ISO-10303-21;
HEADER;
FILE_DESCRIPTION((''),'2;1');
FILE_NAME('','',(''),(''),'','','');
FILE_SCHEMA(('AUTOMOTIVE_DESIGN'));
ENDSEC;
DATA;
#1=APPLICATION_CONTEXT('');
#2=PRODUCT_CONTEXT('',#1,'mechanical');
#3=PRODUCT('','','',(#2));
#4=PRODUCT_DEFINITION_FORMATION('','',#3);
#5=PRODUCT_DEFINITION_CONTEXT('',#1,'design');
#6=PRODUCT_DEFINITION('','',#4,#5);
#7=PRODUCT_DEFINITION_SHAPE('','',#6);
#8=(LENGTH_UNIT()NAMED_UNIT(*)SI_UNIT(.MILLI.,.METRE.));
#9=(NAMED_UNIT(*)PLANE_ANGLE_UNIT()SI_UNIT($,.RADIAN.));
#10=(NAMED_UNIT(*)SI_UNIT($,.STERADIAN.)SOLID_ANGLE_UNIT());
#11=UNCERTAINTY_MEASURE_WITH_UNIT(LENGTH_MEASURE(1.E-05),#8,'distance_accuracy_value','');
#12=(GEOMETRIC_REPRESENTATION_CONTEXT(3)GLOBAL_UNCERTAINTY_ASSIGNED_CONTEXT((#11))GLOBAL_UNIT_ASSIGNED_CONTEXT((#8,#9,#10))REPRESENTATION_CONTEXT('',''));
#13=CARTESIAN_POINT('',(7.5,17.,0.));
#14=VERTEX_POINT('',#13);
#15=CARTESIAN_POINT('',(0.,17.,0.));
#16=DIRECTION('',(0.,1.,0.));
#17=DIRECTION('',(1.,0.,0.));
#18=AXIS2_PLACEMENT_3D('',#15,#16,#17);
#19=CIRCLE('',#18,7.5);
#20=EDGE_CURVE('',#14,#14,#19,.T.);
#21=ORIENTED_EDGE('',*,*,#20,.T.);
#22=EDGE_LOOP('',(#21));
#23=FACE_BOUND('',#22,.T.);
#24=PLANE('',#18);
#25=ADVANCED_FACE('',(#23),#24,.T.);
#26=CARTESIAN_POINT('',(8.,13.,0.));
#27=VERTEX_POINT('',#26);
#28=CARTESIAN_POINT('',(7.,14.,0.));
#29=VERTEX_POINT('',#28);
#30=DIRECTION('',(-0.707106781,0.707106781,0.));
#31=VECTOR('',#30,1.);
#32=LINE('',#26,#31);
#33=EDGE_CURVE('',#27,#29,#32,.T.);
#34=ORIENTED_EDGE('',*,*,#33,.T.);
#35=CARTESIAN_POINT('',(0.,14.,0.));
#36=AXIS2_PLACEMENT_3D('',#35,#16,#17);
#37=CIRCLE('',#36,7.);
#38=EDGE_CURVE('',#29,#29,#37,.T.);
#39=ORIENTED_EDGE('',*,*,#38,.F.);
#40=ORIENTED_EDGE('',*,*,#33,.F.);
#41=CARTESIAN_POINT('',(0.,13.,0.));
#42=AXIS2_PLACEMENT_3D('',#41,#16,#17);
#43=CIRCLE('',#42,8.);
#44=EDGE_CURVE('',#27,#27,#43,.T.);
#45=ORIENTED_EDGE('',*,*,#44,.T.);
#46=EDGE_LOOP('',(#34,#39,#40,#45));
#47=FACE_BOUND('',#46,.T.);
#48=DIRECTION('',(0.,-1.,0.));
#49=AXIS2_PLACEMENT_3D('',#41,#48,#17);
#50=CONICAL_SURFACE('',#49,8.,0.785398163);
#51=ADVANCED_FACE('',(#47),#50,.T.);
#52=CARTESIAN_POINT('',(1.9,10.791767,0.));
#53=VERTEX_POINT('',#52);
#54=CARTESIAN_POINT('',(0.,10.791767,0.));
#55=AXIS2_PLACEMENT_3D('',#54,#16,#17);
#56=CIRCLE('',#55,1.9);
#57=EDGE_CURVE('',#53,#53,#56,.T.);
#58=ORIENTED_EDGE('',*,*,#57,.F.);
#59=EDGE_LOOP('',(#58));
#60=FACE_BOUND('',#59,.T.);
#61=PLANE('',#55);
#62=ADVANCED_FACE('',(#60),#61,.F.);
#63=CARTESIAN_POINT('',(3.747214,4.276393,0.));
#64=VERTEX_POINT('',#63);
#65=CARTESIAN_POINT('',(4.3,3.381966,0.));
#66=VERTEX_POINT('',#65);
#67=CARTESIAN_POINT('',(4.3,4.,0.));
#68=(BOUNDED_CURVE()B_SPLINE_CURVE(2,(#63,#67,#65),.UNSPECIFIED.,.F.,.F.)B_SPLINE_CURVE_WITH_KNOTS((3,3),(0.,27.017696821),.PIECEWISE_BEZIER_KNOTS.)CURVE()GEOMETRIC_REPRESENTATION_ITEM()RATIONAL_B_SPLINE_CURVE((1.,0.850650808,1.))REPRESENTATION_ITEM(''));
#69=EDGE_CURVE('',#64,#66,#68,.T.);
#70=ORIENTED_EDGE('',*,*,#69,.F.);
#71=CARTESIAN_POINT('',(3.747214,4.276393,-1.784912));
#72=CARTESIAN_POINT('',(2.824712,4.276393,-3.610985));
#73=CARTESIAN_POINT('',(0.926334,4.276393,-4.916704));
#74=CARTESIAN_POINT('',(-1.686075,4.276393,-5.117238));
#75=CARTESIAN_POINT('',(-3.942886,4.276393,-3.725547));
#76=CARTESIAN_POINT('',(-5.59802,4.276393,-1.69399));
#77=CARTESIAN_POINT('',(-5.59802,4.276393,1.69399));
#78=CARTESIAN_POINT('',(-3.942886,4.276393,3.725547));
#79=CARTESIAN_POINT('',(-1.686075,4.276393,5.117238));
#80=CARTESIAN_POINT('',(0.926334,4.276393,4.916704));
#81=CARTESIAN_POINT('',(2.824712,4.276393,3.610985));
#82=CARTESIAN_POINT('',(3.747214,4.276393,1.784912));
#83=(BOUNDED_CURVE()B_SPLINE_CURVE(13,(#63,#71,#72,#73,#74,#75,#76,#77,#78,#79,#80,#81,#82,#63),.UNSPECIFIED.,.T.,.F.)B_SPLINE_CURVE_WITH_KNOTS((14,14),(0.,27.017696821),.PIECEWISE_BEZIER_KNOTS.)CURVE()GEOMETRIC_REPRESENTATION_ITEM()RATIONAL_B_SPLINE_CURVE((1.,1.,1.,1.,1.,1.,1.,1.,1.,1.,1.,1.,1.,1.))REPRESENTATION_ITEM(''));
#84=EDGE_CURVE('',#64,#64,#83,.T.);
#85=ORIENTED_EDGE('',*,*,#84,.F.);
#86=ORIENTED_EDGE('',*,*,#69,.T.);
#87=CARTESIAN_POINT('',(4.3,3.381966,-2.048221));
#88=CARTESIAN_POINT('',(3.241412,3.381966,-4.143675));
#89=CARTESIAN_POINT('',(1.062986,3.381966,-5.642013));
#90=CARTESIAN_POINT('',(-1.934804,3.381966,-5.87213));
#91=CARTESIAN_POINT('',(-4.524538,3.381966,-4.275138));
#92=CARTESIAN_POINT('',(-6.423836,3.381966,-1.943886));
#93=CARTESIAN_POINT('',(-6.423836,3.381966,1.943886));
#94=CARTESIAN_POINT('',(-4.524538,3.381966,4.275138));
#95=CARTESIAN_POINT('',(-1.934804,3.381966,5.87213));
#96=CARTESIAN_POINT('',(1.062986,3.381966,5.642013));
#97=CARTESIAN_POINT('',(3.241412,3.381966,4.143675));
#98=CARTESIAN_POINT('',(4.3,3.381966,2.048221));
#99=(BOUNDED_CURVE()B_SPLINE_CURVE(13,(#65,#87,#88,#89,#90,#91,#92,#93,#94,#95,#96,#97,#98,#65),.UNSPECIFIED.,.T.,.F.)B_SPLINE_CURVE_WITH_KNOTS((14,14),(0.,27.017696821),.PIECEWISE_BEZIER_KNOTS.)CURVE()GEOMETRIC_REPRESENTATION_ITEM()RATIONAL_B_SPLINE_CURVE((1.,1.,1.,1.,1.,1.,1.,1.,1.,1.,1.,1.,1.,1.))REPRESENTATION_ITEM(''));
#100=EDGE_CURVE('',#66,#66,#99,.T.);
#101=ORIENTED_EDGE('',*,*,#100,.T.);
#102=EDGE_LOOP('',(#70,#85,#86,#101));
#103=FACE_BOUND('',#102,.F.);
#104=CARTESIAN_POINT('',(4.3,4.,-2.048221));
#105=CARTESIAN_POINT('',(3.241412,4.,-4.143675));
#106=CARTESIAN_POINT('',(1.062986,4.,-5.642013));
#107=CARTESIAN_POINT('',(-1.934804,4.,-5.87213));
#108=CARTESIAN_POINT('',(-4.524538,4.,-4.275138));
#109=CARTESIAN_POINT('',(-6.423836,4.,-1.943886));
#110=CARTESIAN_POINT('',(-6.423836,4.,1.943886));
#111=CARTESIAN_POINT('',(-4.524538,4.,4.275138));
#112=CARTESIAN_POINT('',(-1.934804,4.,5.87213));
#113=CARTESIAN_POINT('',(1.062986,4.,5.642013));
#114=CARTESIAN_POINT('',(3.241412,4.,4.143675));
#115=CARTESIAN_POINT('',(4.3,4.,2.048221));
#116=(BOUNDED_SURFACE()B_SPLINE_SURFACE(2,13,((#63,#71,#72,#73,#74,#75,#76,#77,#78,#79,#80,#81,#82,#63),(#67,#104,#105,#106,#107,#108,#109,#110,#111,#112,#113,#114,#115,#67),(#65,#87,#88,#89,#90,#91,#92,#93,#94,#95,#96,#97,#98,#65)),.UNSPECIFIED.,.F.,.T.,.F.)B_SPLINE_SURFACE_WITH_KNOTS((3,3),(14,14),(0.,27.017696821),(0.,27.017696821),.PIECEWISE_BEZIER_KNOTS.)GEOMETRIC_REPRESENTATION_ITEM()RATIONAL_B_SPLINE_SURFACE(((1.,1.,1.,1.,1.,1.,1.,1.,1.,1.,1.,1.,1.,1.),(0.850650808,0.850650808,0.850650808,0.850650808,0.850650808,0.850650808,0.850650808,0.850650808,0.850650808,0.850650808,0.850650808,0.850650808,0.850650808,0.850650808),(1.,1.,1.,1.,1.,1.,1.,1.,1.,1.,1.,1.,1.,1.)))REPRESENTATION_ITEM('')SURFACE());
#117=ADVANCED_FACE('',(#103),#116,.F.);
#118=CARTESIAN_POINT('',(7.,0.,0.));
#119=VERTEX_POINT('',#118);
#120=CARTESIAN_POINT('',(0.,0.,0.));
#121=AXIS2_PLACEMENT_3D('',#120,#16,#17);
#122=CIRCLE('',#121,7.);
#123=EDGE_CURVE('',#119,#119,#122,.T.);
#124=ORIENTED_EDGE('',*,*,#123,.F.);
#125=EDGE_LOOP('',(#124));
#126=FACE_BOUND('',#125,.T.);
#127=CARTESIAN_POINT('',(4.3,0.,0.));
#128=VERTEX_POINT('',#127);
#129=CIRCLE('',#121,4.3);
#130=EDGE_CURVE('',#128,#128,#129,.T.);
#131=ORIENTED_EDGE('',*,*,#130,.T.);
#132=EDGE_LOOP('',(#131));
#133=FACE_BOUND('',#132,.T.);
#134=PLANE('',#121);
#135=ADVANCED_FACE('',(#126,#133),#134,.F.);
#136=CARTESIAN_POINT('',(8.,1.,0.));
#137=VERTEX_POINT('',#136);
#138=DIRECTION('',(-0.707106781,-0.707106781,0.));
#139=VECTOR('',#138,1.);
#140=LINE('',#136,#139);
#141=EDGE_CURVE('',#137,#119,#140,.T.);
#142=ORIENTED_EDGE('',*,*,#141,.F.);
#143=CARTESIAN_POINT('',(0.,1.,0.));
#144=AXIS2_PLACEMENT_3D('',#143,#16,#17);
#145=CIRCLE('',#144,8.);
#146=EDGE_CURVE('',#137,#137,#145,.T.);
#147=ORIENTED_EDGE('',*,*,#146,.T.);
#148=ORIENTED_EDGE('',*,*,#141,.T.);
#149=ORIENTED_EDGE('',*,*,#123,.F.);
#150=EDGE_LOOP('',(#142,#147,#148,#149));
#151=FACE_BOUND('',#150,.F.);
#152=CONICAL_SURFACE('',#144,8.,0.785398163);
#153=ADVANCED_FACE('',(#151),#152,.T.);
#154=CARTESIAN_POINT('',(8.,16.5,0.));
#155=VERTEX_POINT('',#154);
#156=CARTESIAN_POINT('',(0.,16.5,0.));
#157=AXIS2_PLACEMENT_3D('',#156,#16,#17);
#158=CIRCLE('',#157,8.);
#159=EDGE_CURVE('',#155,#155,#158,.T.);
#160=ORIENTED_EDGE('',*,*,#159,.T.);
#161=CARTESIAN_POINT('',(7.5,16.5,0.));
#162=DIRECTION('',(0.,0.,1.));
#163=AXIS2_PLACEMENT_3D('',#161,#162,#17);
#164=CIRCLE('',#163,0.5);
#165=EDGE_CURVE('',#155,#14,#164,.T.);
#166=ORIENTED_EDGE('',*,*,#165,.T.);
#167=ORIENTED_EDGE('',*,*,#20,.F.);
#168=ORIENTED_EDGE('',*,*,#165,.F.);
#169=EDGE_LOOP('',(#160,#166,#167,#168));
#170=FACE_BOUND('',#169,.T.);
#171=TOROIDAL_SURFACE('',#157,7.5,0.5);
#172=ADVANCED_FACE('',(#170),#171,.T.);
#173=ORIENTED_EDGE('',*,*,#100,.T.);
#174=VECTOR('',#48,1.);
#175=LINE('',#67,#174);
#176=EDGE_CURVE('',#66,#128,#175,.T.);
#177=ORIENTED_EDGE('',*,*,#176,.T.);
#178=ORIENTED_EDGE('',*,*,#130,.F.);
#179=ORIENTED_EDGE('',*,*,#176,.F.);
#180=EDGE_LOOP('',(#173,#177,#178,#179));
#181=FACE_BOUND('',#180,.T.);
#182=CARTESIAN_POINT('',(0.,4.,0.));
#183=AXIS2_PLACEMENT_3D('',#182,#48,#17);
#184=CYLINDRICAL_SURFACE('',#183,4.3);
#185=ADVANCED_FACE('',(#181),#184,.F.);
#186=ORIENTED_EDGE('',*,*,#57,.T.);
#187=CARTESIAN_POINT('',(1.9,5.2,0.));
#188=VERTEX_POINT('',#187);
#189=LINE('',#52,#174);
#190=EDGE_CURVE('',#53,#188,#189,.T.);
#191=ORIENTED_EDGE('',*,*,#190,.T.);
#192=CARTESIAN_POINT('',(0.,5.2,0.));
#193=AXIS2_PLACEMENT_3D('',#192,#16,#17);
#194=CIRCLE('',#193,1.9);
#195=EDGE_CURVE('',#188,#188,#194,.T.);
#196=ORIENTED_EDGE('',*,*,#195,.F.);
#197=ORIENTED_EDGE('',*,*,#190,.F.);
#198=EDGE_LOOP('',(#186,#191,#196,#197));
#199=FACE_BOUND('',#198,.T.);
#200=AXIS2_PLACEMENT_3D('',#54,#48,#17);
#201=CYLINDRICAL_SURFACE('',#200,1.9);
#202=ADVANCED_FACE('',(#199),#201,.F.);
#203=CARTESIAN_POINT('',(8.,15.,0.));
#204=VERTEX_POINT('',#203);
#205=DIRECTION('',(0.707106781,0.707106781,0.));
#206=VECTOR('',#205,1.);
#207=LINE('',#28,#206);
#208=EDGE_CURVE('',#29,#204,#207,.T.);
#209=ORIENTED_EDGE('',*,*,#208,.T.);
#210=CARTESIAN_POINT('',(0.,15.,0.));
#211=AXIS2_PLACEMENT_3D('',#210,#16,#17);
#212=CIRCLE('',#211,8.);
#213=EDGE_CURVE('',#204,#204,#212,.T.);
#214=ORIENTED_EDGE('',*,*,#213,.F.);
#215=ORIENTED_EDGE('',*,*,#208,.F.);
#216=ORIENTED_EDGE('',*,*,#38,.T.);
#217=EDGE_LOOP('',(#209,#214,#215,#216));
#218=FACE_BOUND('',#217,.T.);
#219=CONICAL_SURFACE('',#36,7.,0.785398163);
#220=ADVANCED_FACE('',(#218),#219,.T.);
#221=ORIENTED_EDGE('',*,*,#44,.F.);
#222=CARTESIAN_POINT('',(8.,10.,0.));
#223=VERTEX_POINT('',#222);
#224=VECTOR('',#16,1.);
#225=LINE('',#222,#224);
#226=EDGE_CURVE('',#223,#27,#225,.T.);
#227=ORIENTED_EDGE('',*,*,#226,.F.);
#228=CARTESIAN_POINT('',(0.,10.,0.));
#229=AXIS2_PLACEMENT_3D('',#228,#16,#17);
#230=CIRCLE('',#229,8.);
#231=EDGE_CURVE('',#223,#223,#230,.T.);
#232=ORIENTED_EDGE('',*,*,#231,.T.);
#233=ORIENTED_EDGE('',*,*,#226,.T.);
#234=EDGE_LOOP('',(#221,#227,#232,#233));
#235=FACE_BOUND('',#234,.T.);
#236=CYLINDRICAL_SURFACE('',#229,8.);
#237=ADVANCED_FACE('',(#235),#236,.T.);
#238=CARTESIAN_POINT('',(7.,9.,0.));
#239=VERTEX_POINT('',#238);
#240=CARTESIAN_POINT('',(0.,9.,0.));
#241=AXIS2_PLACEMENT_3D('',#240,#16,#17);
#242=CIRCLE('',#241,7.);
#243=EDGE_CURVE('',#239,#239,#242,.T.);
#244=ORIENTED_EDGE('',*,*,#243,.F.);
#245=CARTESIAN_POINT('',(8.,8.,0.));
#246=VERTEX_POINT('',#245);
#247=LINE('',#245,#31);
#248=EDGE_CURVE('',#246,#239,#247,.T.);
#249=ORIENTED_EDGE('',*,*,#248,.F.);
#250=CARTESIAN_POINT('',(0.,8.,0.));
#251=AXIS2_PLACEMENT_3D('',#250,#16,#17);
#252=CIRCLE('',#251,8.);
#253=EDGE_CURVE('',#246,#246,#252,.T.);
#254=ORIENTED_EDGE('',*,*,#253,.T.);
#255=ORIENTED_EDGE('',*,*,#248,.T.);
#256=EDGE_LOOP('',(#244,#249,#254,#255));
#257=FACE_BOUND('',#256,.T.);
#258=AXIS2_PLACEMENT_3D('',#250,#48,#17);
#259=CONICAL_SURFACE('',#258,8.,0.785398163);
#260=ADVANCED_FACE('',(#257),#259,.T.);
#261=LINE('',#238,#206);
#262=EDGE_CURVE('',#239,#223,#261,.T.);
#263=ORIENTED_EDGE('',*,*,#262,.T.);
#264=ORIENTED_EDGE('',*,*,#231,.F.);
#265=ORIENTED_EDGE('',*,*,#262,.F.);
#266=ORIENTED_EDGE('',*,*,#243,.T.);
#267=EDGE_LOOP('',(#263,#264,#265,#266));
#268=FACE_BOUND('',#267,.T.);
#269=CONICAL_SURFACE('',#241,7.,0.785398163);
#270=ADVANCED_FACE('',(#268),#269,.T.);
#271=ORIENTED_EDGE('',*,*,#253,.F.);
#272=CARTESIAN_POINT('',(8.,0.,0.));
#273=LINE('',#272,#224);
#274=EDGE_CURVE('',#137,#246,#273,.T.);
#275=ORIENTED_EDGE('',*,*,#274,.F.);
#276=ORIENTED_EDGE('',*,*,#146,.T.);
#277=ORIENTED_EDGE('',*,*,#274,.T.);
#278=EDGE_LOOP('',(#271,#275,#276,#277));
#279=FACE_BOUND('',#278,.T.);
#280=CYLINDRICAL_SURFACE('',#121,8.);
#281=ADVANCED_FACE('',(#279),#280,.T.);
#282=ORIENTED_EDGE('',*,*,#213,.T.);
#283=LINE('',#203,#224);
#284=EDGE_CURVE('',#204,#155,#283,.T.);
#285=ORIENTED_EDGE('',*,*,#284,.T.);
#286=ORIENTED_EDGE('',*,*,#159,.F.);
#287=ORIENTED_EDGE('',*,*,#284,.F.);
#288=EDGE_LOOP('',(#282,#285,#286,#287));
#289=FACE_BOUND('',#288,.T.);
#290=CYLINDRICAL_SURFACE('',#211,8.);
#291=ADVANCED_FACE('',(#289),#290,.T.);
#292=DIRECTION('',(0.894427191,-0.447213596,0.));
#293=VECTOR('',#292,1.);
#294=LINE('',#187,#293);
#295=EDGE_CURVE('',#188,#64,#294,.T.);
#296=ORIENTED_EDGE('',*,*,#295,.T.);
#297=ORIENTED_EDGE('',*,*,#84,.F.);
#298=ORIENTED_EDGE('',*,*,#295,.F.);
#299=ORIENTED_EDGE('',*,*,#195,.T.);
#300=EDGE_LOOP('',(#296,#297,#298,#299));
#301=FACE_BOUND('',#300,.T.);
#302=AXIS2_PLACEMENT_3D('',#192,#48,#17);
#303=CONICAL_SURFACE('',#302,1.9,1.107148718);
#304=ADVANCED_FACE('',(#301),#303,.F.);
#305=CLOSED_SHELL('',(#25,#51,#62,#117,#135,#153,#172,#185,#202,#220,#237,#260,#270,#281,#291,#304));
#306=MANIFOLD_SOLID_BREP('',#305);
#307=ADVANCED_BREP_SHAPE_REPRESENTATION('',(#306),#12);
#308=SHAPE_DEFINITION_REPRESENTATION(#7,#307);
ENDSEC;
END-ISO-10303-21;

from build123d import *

# Parameters (mm, degrees)
F2_R    = 1
F3_R    = 0.5
F4_SIZE = 1


with BuildPart() as f1:
    # F0 (on Top) → F1 (revolve)
    with BuildSketch(Plane.XY):
        Polygon((1.9, 10.791767), (1.9, 5.2), (4.3, 4), (4.3, 0), (8, 0), (8, 8), (7, 9), (8, 10), (8, 13), (7, 14), (8, 15), (8, 17), (0, 17), (0, 10.791767), align=None)
    revolve(axis=Axis((0, 8.531952, 0), (0, 1, 0)))

    # F2
    f2_edges = [f1.edges().sort_by_distance(p)[0] for p in [
        (-4.3, 4, 0),
    ]]
    fillet(f2_edges, radius=F2_R)

    # F3
    f3_edges = [f1.edges().sort_by_distance(p)[0] for p in [
        (-8, 17, 0),
    ]]
    fillet(f3_edges, radius=F3_R)

    # F4
    f4_edges = [f1.edges().sort_by_distance(p)[0] for p in [
        (-8, 0, 0),
    ]]
    chamfer(f4_edges, length=F4_SIZE)


solid = f1.part
